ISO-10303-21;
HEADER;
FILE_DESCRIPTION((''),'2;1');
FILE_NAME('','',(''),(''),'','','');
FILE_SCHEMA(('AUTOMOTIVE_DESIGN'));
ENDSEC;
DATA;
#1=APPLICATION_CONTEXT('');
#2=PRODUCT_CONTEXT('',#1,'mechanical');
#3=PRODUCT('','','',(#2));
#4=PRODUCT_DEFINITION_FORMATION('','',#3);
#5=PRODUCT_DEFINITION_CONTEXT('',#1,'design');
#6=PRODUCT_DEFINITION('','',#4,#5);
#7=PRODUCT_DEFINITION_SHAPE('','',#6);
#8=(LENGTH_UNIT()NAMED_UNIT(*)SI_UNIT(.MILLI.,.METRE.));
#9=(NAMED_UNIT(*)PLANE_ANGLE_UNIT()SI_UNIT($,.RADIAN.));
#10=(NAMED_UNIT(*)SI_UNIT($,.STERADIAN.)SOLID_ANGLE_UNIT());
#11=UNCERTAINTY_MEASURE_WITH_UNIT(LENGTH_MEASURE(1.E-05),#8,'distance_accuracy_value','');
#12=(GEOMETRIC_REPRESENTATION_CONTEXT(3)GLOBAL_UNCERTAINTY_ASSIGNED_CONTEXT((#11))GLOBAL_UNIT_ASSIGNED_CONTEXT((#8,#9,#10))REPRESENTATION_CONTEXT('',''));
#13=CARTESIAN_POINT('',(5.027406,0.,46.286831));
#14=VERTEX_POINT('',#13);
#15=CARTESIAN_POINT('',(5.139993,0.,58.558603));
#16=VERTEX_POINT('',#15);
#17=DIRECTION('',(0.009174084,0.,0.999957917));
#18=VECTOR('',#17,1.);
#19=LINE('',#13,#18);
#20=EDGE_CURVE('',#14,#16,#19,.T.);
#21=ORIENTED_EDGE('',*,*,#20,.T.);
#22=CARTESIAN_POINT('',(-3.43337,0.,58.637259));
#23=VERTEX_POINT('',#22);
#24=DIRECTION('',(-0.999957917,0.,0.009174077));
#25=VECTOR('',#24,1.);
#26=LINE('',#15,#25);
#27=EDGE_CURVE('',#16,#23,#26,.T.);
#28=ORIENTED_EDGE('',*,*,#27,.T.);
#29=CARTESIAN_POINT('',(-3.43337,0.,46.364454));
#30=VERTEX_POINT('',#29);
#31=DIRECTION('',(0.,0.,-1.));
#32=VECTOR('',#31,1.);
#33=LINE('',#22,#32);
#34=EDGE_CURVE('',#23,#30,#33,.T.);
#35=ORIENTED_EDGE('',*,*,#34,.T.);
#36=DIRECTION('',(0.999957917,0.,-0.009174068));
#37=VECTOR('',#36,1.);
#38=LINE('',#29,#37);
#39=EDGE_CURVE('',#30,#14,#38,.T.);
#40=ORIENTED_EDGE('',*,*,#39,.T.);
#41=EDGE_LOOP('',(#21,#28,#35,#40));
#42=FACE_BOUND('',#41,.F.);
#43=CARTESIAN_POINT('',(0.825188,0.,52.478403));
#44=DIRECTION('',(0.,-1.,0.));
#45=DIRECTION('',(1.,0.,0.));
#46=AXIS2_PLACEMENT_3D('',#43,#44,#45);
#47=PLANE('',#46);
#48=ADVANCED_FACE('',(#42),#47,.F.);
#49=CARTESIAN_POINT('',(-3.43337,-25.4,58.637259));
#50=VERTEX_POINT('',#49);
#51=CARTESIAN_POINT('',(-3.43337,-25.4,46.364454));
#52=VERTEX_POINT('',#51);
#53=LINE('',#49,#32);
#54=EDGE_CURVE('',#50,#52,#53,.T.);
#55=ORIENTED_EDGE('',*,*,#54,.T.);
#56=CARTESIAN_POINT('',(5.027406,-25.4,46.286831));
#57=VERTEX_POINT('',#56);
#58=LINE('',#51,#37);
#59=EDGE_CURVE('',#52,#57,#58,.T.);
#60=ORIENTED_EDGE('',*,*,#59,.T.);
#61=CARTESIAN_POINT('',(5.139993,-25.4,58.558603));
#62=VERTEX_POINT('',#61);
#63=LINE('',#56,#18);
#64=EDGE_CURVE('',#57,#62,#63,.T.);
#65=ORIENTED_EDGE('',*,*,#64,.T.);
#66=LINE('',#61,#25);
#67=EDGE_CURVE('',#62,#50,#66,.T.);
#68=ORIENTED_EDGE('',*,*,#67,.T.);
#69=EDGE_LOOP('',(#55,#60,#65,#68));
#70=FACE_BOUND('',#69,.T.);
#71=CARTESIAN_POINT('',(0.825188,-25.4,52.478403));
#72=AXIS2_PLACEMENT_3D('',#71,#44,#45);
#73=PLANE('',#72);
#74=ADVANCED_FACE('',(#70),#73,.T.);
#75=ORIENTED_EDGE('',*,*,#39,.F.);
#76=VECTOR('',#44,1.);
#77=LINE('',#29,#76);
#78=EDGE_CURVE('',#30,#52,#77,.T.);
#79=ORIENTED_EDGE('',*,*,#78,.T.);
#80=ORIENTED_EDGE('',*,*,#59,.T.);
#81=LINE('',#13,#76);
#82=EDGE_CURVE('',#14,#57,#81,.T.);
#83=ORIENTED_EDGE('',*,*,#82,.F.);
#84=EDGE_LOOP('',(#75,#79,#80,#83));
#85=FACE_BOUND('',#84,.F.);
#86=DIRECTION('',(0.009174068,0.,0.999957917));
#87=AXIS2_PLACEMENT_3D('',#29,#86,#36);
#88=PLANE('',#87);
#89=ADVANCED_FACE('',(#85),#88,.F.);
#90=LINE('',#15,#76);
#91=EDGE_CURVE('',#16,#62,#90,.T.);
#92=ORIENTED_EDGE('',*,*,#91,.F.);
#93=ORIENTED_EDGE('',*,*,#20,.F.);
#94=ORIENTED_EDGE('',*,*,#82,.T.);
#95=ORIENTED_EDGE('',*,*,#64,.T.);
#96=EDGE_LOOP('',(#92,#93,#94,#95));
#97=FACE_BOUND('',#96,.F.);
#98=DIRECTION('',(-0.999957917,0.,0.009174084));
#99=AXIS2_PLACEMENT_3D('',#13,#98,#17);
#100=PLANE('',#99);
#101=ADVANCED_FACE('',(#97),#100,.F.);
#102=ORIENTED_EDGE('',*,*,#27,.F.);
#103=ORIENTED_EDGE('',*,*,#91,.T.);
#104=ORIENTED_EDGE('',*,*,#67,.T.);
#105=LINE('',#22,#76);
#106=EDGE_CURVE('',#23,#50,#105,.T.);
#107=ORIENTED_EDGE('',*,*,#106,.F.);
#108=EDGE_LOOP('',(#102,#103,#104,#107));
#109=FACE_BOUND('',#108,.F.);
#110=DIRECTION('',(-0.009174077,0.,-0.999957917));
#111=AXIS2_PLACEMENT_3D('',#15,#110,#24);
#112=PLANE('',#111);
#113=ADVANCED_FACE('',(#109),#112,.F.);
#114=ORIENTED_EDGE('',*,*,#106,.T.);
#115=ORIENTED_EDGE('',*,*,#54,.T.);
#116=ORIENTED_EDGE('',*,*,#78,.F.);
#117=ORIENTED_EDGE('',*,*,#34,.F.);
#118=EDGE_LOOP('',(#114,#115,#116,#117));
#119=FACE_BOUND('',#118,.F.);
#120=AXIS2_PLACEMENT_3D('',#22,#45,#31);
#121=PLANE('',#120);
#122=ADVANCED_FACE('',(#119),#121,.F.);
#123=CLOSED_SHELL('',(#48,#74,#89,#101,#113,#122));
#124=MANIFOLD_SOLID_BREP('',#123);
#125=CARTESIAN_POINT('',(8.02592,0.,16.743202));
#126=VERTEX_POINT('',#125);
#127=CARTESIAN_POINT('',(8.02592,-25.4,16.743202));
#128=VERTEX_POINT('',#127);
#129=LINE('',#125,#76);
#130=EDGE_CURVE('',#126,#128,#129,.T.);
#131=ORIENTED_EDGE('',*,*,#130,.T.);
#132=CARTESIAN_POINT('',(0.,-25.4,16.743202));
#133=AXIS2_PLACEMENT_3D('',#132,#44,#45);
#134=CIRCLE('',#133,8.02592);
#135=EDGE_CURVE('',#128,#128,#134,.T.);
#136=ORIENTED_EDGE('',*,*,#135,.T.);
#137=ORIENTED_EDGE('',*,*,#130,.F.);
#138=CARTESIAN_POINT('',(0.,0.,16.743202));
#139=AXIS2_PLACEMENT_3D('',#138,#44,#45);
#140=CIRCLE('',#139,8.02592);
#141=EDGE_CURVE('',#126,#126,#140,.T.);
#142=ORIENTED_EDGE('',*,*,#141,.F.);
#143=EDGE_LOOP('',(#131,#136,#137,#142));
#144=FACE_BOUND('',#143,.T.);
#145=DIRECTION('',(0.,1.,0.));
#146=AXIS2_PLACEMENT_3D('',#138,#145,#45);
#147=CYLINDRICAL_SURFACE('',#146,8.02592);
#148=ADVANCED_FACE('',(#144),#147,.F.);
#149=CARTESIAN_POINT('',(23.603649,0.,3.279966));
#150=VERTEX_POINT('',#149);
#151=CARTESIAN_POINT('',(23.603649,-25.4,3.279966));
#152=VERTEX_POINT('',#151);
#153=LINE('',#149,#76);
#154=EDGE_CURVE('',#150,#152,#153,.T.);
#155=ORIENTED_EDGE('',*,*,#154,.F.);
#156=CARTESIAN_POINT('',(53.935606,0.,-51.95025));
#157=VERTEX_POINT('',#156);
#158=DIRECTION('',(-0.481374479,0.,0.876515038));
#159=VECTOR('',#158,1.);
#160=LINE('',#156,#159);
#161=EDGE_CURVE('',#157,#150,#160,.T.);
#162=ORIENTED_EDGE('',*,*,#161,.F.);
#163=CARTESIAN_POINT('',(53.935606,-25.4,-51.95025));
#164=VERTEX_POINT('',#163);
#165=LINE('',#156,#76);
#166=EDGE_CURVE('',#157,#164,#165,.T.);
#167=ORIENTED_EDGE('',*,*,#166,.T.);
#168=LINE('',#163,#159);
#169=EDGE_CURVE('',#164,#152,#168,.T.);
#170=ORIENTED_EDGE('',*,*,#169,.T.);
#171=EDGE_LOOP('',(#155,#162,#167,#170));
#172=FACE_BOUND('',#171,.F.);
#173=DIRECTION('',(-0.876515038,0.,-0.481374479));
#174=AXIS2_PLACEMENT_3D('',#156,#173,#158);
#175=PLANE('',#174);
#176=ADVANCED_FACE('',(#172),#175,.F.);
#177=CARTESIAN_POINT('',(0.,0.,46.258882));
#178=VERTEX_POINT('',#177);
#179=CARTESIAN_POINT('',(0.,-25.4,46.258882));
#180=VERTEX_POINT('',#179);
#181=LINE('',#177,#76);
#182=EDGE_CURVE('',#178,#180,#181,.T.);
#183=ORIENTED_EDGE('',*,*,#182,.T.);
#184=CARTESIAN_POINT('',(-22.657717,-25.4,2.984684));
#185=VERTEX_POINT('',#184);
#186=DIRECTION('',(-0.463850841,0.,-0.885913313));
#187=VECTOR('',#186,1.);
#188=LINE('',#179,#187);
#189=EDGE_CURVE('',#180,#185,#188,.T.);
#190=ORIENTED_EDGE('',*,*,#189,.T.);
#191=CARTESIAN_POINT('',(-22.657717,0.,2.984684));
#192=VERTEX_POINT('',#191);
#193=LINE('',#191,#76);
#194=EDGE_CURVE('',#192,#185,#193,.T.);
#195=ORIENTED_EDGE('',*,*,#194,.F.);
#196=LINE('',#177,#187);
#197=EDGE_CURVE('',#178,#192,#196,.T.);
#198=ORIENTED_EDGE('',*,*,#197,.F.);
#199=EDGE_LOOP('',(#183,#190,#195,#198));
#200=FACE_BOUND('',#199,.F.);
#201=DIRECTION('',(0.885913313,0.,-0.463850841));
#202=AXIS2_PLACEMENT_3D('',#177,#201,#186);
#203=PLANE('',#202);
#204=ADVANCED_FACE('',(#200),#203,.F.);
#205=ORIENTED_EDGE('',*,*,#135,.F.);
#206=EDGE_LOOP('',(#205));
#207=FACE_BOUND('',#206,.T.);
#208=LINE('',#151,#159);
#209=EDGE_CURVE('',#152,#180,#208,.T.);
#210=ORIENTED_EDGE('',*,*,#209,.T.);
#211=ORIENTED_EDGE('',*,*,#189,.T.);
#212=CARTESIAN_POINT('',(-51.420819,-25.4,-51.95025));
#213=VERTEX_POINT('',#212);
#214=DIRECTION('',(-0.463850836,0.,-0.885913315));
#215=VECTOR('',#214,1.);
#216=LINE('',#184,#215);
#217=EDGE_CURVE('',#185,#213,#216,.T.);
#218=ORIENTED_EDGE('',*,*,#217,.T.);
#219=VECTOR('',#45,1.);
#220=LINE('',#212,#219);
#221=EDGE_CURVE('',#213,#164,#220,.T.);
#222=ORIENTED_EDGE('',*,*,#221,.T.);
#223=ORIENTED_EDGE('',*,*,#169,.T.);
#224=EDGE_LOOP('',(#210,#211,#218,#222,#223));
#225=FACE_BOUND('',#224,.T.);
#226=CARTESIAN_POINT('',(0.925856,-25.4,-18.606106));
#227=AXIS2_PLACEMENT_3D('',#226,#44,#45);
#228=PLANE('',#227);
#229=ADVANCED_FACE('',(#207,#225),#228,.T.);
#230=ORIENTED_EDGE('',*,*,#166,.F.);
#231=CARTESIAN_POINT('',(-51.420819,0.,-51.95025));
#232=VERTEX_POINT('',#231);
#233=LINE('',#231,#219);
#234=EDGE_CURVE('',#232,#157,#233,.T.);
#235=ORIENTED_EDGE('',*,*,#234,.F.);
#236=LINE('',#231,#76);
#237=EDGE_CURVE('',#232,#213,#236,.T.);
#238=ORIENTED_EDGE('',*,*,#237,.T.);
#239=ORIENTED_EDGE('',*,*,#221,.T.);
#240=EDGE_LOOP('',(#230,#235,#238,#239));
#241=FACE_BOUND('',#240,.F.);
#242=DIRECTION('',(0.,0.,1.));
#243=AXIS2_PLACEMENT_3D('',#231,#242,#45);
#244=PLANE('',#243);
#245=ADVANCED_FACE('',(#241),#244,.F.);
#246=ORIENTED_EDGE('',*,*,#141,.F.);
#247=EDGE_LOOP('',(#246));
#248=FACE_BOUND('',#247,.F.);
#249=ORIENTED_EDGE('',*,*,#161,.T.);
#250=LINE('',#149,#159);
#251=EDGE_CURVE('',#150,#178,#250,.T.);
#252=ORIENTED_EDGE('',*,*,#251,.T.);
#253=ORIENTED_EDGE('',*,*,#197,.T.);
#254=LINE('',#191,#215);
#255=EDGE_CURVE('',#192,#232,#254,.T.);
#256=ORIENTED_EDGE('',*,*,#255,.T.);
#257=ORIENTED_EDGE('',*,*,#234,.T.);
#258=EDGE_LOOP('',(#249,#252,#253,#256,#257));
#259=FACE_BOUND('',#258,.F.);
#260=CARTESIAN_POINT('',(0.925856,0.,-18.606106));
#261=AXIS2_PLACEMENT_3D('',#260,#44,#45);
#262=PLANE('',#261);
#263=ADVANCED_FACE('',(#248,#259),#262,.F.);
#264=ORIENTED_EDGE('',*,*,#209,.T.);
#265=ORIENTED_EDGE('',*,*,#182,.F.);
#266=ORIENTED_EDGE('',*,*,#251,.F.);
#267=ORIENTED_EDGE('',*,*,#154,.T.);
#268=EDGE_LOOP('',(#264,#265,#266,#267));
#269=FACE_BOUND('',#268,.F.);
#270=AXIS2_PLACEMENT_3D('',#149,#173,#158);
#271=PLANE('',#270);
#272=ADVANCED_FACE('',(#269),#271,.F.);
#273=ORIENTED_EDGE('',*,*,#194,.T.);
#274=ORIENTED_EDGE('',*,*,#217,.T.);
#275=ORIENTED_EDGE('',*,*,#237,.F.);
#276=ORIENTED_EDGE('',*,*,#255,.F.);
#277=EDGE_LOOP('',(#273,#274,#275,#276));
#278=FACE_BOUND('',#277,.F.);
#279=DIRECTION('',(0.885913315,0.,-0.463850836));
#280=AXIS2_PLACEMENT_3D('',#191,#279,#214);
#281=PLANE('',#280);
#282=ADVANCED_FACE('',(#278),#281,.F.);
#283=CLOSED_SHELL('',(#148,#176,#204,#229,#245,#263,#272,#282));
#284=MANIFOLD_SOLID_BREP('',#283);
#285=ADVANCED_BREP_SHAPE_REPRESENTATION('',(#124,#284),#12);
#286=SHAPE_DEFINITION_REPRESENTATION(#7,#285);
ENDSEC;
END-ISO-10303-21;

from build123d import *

# Parameters (mm, degrees)
F0_R     = 8.02592
F1_DEPTH = 25.4


with BuildPart() as f1:
    # F0 (on Front) → F1 (new body)
    with BuildSketch(Plane.XZ):
        Polygon((-22.657717, 2.984684), (-51.420819, -51.95025), (-40.766057, -51.95025), (53.935606, -51.95025), (23.603649, 3.279966), (0, 46.258882), align=None)
        with Locations((0, 16.743202)):
            Circle(F0_R, mode=Mode.SUBTRACT)
        Polygon((-3.43337, 58.637259), (-3.43337, 46.364454), (5.027406, 46.286831), (5.139993, 58.558603), align=None)
    extrude(amount=F1_DEPTH)


solid = f1.part
